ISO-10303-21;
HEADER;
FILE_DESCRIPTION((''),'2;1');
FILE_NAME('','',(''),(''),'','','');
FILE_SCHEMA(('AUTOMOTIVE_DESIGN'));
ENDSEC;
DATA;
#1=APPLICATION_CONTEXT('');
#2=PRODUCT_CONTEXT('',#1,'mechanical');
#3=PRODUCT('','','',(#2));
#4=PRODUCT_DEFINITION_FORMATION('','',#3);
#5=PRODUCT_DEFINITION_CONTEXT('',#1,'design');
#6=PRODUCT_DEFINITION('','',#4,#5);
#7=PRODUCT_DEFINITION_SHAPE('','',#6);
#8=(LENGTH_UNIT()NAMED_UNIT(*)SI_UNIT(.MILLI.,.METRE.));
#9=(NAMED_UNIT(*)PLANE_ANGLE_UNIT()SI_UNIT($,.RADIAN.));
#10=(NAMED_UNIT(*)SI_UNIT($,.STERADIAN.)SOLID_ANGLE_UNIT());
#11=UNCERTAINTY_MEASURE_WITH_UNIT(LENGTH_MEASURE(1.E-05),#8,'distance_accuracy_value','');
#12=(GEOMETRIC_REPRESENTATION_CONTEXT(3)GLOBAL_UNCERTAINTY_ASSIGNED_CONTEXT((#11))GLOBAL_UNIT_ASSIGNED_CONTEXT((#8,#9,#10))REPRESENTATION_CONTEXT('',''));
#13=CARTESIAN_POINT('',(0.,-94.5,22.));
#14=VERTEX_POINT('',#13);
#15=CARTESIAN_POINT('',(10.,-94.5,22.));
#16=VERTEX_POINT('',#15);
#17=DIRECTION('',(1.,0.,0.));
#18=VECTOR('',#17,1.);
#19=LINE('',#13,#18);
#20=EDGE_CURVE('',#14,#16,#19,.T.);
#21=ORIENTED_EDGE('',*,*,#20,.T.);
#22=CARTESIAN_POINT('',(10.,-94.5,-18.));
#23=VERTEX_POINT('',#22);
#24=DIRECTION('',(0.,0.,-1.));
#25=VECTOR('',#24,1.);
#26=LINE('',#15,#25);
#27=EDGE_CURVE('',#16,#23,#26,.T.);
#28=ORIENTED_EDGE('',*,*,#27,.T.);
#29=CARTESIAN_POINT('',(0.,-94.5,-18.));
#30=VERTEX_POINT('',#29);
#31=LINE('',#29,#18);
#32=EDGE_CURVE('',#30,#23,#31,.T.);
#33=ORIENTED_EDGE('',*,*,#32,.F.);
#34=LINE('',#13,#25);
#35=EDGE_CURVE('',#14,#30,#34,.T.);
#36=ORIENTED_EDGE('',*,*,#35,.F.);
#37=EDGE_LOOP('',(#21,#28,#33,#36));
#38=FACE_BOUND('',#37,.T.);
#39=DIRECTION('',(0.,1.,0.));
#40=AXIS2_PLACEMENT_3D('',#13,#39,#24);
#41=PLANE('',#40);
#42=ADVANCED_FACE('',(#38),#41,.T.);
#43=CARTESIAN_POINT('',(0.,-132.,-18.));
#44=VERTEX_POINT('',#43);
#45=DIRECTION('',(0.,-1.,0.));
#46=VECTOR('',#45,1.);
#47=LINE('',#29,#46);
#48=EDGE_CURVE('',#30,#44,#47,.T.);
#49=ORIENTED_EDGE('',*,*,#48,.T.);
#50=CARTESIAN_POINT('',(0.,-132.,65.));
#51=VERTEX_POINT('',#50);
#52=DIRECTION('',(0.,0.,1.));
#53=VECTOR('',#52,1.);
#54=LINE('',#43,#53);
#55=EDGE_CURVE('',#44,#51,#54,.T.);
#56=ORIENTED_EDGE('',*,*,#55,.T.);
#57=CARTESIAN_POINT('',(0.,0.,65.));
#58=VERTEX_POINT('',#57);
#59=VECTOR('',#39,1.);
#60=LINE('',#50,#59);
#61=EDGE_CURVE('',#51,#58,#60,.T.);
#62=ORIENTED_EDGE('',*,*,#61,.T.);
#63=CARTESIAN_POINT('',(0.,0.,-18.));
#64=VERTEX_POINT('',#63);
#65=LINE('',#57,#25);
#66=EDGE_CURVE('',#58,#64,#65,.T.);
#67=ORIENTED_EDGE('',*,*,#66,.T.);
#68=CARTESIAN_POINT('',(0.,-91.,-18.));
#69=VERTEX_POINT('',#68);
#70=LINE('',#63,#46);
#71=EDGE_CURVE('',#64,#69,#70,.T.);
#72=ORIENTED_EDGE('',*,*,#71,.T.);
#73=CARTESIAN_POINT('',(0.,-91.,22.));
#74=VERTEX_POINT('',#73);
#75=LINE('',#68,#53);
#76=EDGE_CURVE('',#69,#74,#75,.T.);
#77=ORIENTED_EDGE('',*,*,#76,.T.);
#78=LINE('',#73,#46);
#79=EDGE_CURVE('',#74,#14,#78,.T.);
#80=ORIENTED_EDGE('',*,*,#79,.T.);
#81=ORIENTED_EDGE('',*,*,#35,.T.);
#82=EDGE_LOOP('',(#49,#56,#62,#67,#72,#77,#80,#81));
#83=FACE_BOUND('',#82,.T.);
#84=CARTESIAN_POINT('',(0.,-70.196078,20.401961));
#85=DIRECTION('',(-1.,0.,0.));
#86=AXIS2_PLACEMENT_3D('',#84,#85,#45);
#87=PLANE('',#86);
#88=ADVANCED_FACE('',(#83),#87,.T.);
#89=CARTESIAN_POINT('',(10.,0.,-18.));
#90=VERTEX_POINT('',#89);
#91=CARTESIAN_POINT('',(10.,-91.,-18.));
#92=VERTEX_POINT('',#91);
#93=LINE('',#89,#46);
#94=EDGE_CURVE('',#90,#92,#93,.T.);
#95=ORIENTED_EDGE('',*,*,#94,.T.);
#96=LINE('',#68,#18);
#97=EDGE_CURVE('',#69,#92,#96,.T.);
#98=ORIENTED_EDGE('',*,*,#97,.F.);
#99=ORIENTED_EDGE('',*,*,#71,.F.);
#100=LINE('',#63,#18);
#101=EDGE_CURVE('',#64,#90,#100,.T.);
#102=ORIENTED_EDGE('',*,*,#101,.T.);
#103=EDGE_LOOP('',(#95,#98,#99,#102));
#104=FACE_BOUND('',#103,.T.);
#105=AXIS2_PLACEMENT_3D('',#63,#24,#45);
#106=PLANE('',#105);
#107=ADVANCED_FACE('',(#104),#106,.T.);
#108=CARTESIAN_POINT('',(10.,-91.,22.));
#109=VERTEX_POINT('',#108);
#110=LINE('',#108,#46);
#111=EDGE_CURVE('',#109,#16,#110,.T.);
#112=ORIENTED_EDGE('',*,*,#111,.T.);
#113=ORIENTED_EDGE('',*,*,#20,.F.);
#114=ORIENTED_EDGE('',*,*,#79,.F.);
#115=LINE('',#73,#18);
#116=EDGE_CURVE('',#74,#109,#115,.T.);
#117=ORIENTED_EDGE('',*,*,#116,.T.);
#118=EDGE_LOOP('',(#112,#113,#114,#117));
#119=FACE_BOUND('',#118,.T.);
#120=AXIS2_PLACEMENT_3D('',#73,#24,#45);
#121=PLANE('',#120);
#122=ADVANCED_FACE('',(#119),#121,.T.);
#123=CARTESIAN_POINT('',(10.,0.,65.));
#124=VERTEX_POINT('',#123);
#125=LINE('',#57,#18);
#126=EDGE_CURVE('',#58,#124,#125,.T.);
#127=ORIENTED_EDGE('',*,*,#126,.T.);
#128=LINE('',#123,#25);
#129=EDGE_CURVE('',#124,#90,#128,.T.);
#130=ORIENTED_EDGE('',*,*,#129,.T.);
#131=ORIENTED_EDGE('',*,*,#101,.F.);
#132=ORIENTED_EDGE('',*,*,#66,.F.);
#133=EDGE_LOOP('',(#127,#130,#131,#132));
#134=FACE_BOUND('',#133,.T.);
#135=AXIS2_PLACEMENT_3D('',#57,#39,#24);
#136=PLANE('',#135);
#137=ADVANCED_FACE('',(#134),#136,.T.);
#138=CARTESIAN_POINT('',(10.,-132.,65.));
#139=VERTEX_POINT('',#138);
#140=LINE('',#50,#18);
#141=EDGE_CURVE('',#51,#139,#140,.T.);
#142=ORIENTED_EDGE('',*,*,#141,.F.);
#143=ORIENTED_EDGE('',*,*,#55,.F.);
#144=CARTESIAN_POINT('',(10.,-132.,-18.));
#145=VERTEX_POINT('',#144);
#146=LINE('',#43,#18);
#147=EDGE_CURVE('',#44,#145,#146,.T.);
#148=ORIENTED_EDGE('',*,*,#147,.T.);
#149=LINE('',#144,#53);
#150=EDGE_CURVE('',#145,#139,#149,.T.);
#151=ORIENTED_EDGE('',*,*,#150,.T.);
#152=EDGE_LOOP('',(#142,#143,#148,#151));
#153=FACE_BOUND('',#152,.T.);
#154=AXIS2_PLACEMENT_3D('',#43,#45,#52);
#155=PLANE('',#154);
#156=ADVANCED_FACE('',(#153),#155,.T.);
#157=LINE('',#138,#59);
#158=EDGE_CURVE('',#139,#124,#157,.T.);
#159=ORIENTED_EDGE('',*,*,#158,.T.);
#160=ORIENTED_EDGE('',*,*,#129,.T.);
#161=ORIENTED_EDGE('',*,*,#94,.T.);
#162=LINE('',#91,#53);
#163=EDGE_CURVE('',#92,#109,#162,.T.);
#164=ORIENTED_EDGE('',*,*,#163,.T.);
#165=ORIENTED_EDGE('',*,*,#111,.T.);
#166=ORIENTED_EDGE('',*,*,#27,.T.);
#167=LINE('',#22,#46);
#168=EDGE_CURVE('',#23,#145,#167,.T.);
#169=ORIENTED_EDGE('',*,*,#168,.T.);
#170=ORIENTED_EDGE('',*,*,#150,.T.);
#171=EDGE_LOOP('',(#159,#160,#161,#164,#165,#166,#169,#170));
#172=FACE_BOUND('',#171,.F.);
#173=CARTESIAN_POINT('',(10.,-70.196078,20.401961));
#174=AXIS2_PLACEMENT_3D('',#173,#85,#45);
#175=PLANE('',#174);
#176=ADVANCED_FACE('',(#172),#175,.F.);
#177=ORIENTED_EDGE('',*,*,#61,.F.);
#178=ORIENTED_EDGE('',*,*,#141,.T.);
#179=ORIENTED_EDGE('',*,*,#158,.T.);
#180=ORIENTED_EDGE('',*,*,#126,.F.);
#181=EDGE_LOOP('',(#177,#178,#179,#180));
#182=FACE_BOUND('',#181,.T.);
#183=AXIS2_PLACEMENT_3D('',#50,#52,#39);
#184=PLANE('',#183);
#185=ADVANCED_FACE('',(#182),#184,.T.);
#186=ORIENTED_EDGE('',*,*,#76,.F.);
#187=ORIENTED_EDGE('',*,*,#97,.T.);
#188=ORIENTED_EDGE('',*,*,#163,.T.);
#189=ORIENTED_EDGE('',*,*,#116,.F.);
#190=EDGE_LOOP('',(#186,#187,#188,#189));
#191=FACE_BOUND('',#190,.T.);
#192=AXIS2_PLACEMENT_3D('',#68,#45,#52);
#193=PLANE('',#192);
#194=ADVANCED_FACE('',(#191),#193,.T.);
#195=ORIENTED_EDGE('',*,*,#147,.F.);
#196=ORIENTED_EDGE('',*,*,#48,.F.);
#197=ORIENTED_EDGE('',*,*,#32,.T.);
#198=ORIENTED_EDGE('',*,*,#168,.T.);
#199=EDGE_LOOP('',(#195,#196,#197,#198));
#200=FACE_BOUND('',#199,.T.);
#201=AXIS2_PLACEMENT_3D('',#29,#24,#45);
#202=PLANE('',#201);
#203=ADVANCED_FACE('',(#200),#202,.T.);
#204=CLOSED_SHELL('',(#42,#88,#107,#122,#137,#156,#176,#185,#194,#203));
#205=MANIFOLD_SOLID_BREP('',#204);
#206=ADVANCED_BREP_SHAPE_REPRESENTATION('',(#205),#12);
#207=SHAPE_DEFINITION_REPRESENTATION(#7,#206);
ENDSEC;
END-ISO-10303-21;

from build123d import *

# Parameters (mm, degrees)
EXTRUDE_DEPTH = 10


with BuildPart() as part:
    # Sketch → Extrude (new body)
    with BuildSketch(Plane.YZ):
        Polygon((-132, -18), (-132, 65), (0, 65), (0, -18), (-91, -18), (-91, 22), (-94.5, 22), (-94.5, -18), align=None)
    extrude(amount=EXTRUDE_DEPTH)


solid = part.part
